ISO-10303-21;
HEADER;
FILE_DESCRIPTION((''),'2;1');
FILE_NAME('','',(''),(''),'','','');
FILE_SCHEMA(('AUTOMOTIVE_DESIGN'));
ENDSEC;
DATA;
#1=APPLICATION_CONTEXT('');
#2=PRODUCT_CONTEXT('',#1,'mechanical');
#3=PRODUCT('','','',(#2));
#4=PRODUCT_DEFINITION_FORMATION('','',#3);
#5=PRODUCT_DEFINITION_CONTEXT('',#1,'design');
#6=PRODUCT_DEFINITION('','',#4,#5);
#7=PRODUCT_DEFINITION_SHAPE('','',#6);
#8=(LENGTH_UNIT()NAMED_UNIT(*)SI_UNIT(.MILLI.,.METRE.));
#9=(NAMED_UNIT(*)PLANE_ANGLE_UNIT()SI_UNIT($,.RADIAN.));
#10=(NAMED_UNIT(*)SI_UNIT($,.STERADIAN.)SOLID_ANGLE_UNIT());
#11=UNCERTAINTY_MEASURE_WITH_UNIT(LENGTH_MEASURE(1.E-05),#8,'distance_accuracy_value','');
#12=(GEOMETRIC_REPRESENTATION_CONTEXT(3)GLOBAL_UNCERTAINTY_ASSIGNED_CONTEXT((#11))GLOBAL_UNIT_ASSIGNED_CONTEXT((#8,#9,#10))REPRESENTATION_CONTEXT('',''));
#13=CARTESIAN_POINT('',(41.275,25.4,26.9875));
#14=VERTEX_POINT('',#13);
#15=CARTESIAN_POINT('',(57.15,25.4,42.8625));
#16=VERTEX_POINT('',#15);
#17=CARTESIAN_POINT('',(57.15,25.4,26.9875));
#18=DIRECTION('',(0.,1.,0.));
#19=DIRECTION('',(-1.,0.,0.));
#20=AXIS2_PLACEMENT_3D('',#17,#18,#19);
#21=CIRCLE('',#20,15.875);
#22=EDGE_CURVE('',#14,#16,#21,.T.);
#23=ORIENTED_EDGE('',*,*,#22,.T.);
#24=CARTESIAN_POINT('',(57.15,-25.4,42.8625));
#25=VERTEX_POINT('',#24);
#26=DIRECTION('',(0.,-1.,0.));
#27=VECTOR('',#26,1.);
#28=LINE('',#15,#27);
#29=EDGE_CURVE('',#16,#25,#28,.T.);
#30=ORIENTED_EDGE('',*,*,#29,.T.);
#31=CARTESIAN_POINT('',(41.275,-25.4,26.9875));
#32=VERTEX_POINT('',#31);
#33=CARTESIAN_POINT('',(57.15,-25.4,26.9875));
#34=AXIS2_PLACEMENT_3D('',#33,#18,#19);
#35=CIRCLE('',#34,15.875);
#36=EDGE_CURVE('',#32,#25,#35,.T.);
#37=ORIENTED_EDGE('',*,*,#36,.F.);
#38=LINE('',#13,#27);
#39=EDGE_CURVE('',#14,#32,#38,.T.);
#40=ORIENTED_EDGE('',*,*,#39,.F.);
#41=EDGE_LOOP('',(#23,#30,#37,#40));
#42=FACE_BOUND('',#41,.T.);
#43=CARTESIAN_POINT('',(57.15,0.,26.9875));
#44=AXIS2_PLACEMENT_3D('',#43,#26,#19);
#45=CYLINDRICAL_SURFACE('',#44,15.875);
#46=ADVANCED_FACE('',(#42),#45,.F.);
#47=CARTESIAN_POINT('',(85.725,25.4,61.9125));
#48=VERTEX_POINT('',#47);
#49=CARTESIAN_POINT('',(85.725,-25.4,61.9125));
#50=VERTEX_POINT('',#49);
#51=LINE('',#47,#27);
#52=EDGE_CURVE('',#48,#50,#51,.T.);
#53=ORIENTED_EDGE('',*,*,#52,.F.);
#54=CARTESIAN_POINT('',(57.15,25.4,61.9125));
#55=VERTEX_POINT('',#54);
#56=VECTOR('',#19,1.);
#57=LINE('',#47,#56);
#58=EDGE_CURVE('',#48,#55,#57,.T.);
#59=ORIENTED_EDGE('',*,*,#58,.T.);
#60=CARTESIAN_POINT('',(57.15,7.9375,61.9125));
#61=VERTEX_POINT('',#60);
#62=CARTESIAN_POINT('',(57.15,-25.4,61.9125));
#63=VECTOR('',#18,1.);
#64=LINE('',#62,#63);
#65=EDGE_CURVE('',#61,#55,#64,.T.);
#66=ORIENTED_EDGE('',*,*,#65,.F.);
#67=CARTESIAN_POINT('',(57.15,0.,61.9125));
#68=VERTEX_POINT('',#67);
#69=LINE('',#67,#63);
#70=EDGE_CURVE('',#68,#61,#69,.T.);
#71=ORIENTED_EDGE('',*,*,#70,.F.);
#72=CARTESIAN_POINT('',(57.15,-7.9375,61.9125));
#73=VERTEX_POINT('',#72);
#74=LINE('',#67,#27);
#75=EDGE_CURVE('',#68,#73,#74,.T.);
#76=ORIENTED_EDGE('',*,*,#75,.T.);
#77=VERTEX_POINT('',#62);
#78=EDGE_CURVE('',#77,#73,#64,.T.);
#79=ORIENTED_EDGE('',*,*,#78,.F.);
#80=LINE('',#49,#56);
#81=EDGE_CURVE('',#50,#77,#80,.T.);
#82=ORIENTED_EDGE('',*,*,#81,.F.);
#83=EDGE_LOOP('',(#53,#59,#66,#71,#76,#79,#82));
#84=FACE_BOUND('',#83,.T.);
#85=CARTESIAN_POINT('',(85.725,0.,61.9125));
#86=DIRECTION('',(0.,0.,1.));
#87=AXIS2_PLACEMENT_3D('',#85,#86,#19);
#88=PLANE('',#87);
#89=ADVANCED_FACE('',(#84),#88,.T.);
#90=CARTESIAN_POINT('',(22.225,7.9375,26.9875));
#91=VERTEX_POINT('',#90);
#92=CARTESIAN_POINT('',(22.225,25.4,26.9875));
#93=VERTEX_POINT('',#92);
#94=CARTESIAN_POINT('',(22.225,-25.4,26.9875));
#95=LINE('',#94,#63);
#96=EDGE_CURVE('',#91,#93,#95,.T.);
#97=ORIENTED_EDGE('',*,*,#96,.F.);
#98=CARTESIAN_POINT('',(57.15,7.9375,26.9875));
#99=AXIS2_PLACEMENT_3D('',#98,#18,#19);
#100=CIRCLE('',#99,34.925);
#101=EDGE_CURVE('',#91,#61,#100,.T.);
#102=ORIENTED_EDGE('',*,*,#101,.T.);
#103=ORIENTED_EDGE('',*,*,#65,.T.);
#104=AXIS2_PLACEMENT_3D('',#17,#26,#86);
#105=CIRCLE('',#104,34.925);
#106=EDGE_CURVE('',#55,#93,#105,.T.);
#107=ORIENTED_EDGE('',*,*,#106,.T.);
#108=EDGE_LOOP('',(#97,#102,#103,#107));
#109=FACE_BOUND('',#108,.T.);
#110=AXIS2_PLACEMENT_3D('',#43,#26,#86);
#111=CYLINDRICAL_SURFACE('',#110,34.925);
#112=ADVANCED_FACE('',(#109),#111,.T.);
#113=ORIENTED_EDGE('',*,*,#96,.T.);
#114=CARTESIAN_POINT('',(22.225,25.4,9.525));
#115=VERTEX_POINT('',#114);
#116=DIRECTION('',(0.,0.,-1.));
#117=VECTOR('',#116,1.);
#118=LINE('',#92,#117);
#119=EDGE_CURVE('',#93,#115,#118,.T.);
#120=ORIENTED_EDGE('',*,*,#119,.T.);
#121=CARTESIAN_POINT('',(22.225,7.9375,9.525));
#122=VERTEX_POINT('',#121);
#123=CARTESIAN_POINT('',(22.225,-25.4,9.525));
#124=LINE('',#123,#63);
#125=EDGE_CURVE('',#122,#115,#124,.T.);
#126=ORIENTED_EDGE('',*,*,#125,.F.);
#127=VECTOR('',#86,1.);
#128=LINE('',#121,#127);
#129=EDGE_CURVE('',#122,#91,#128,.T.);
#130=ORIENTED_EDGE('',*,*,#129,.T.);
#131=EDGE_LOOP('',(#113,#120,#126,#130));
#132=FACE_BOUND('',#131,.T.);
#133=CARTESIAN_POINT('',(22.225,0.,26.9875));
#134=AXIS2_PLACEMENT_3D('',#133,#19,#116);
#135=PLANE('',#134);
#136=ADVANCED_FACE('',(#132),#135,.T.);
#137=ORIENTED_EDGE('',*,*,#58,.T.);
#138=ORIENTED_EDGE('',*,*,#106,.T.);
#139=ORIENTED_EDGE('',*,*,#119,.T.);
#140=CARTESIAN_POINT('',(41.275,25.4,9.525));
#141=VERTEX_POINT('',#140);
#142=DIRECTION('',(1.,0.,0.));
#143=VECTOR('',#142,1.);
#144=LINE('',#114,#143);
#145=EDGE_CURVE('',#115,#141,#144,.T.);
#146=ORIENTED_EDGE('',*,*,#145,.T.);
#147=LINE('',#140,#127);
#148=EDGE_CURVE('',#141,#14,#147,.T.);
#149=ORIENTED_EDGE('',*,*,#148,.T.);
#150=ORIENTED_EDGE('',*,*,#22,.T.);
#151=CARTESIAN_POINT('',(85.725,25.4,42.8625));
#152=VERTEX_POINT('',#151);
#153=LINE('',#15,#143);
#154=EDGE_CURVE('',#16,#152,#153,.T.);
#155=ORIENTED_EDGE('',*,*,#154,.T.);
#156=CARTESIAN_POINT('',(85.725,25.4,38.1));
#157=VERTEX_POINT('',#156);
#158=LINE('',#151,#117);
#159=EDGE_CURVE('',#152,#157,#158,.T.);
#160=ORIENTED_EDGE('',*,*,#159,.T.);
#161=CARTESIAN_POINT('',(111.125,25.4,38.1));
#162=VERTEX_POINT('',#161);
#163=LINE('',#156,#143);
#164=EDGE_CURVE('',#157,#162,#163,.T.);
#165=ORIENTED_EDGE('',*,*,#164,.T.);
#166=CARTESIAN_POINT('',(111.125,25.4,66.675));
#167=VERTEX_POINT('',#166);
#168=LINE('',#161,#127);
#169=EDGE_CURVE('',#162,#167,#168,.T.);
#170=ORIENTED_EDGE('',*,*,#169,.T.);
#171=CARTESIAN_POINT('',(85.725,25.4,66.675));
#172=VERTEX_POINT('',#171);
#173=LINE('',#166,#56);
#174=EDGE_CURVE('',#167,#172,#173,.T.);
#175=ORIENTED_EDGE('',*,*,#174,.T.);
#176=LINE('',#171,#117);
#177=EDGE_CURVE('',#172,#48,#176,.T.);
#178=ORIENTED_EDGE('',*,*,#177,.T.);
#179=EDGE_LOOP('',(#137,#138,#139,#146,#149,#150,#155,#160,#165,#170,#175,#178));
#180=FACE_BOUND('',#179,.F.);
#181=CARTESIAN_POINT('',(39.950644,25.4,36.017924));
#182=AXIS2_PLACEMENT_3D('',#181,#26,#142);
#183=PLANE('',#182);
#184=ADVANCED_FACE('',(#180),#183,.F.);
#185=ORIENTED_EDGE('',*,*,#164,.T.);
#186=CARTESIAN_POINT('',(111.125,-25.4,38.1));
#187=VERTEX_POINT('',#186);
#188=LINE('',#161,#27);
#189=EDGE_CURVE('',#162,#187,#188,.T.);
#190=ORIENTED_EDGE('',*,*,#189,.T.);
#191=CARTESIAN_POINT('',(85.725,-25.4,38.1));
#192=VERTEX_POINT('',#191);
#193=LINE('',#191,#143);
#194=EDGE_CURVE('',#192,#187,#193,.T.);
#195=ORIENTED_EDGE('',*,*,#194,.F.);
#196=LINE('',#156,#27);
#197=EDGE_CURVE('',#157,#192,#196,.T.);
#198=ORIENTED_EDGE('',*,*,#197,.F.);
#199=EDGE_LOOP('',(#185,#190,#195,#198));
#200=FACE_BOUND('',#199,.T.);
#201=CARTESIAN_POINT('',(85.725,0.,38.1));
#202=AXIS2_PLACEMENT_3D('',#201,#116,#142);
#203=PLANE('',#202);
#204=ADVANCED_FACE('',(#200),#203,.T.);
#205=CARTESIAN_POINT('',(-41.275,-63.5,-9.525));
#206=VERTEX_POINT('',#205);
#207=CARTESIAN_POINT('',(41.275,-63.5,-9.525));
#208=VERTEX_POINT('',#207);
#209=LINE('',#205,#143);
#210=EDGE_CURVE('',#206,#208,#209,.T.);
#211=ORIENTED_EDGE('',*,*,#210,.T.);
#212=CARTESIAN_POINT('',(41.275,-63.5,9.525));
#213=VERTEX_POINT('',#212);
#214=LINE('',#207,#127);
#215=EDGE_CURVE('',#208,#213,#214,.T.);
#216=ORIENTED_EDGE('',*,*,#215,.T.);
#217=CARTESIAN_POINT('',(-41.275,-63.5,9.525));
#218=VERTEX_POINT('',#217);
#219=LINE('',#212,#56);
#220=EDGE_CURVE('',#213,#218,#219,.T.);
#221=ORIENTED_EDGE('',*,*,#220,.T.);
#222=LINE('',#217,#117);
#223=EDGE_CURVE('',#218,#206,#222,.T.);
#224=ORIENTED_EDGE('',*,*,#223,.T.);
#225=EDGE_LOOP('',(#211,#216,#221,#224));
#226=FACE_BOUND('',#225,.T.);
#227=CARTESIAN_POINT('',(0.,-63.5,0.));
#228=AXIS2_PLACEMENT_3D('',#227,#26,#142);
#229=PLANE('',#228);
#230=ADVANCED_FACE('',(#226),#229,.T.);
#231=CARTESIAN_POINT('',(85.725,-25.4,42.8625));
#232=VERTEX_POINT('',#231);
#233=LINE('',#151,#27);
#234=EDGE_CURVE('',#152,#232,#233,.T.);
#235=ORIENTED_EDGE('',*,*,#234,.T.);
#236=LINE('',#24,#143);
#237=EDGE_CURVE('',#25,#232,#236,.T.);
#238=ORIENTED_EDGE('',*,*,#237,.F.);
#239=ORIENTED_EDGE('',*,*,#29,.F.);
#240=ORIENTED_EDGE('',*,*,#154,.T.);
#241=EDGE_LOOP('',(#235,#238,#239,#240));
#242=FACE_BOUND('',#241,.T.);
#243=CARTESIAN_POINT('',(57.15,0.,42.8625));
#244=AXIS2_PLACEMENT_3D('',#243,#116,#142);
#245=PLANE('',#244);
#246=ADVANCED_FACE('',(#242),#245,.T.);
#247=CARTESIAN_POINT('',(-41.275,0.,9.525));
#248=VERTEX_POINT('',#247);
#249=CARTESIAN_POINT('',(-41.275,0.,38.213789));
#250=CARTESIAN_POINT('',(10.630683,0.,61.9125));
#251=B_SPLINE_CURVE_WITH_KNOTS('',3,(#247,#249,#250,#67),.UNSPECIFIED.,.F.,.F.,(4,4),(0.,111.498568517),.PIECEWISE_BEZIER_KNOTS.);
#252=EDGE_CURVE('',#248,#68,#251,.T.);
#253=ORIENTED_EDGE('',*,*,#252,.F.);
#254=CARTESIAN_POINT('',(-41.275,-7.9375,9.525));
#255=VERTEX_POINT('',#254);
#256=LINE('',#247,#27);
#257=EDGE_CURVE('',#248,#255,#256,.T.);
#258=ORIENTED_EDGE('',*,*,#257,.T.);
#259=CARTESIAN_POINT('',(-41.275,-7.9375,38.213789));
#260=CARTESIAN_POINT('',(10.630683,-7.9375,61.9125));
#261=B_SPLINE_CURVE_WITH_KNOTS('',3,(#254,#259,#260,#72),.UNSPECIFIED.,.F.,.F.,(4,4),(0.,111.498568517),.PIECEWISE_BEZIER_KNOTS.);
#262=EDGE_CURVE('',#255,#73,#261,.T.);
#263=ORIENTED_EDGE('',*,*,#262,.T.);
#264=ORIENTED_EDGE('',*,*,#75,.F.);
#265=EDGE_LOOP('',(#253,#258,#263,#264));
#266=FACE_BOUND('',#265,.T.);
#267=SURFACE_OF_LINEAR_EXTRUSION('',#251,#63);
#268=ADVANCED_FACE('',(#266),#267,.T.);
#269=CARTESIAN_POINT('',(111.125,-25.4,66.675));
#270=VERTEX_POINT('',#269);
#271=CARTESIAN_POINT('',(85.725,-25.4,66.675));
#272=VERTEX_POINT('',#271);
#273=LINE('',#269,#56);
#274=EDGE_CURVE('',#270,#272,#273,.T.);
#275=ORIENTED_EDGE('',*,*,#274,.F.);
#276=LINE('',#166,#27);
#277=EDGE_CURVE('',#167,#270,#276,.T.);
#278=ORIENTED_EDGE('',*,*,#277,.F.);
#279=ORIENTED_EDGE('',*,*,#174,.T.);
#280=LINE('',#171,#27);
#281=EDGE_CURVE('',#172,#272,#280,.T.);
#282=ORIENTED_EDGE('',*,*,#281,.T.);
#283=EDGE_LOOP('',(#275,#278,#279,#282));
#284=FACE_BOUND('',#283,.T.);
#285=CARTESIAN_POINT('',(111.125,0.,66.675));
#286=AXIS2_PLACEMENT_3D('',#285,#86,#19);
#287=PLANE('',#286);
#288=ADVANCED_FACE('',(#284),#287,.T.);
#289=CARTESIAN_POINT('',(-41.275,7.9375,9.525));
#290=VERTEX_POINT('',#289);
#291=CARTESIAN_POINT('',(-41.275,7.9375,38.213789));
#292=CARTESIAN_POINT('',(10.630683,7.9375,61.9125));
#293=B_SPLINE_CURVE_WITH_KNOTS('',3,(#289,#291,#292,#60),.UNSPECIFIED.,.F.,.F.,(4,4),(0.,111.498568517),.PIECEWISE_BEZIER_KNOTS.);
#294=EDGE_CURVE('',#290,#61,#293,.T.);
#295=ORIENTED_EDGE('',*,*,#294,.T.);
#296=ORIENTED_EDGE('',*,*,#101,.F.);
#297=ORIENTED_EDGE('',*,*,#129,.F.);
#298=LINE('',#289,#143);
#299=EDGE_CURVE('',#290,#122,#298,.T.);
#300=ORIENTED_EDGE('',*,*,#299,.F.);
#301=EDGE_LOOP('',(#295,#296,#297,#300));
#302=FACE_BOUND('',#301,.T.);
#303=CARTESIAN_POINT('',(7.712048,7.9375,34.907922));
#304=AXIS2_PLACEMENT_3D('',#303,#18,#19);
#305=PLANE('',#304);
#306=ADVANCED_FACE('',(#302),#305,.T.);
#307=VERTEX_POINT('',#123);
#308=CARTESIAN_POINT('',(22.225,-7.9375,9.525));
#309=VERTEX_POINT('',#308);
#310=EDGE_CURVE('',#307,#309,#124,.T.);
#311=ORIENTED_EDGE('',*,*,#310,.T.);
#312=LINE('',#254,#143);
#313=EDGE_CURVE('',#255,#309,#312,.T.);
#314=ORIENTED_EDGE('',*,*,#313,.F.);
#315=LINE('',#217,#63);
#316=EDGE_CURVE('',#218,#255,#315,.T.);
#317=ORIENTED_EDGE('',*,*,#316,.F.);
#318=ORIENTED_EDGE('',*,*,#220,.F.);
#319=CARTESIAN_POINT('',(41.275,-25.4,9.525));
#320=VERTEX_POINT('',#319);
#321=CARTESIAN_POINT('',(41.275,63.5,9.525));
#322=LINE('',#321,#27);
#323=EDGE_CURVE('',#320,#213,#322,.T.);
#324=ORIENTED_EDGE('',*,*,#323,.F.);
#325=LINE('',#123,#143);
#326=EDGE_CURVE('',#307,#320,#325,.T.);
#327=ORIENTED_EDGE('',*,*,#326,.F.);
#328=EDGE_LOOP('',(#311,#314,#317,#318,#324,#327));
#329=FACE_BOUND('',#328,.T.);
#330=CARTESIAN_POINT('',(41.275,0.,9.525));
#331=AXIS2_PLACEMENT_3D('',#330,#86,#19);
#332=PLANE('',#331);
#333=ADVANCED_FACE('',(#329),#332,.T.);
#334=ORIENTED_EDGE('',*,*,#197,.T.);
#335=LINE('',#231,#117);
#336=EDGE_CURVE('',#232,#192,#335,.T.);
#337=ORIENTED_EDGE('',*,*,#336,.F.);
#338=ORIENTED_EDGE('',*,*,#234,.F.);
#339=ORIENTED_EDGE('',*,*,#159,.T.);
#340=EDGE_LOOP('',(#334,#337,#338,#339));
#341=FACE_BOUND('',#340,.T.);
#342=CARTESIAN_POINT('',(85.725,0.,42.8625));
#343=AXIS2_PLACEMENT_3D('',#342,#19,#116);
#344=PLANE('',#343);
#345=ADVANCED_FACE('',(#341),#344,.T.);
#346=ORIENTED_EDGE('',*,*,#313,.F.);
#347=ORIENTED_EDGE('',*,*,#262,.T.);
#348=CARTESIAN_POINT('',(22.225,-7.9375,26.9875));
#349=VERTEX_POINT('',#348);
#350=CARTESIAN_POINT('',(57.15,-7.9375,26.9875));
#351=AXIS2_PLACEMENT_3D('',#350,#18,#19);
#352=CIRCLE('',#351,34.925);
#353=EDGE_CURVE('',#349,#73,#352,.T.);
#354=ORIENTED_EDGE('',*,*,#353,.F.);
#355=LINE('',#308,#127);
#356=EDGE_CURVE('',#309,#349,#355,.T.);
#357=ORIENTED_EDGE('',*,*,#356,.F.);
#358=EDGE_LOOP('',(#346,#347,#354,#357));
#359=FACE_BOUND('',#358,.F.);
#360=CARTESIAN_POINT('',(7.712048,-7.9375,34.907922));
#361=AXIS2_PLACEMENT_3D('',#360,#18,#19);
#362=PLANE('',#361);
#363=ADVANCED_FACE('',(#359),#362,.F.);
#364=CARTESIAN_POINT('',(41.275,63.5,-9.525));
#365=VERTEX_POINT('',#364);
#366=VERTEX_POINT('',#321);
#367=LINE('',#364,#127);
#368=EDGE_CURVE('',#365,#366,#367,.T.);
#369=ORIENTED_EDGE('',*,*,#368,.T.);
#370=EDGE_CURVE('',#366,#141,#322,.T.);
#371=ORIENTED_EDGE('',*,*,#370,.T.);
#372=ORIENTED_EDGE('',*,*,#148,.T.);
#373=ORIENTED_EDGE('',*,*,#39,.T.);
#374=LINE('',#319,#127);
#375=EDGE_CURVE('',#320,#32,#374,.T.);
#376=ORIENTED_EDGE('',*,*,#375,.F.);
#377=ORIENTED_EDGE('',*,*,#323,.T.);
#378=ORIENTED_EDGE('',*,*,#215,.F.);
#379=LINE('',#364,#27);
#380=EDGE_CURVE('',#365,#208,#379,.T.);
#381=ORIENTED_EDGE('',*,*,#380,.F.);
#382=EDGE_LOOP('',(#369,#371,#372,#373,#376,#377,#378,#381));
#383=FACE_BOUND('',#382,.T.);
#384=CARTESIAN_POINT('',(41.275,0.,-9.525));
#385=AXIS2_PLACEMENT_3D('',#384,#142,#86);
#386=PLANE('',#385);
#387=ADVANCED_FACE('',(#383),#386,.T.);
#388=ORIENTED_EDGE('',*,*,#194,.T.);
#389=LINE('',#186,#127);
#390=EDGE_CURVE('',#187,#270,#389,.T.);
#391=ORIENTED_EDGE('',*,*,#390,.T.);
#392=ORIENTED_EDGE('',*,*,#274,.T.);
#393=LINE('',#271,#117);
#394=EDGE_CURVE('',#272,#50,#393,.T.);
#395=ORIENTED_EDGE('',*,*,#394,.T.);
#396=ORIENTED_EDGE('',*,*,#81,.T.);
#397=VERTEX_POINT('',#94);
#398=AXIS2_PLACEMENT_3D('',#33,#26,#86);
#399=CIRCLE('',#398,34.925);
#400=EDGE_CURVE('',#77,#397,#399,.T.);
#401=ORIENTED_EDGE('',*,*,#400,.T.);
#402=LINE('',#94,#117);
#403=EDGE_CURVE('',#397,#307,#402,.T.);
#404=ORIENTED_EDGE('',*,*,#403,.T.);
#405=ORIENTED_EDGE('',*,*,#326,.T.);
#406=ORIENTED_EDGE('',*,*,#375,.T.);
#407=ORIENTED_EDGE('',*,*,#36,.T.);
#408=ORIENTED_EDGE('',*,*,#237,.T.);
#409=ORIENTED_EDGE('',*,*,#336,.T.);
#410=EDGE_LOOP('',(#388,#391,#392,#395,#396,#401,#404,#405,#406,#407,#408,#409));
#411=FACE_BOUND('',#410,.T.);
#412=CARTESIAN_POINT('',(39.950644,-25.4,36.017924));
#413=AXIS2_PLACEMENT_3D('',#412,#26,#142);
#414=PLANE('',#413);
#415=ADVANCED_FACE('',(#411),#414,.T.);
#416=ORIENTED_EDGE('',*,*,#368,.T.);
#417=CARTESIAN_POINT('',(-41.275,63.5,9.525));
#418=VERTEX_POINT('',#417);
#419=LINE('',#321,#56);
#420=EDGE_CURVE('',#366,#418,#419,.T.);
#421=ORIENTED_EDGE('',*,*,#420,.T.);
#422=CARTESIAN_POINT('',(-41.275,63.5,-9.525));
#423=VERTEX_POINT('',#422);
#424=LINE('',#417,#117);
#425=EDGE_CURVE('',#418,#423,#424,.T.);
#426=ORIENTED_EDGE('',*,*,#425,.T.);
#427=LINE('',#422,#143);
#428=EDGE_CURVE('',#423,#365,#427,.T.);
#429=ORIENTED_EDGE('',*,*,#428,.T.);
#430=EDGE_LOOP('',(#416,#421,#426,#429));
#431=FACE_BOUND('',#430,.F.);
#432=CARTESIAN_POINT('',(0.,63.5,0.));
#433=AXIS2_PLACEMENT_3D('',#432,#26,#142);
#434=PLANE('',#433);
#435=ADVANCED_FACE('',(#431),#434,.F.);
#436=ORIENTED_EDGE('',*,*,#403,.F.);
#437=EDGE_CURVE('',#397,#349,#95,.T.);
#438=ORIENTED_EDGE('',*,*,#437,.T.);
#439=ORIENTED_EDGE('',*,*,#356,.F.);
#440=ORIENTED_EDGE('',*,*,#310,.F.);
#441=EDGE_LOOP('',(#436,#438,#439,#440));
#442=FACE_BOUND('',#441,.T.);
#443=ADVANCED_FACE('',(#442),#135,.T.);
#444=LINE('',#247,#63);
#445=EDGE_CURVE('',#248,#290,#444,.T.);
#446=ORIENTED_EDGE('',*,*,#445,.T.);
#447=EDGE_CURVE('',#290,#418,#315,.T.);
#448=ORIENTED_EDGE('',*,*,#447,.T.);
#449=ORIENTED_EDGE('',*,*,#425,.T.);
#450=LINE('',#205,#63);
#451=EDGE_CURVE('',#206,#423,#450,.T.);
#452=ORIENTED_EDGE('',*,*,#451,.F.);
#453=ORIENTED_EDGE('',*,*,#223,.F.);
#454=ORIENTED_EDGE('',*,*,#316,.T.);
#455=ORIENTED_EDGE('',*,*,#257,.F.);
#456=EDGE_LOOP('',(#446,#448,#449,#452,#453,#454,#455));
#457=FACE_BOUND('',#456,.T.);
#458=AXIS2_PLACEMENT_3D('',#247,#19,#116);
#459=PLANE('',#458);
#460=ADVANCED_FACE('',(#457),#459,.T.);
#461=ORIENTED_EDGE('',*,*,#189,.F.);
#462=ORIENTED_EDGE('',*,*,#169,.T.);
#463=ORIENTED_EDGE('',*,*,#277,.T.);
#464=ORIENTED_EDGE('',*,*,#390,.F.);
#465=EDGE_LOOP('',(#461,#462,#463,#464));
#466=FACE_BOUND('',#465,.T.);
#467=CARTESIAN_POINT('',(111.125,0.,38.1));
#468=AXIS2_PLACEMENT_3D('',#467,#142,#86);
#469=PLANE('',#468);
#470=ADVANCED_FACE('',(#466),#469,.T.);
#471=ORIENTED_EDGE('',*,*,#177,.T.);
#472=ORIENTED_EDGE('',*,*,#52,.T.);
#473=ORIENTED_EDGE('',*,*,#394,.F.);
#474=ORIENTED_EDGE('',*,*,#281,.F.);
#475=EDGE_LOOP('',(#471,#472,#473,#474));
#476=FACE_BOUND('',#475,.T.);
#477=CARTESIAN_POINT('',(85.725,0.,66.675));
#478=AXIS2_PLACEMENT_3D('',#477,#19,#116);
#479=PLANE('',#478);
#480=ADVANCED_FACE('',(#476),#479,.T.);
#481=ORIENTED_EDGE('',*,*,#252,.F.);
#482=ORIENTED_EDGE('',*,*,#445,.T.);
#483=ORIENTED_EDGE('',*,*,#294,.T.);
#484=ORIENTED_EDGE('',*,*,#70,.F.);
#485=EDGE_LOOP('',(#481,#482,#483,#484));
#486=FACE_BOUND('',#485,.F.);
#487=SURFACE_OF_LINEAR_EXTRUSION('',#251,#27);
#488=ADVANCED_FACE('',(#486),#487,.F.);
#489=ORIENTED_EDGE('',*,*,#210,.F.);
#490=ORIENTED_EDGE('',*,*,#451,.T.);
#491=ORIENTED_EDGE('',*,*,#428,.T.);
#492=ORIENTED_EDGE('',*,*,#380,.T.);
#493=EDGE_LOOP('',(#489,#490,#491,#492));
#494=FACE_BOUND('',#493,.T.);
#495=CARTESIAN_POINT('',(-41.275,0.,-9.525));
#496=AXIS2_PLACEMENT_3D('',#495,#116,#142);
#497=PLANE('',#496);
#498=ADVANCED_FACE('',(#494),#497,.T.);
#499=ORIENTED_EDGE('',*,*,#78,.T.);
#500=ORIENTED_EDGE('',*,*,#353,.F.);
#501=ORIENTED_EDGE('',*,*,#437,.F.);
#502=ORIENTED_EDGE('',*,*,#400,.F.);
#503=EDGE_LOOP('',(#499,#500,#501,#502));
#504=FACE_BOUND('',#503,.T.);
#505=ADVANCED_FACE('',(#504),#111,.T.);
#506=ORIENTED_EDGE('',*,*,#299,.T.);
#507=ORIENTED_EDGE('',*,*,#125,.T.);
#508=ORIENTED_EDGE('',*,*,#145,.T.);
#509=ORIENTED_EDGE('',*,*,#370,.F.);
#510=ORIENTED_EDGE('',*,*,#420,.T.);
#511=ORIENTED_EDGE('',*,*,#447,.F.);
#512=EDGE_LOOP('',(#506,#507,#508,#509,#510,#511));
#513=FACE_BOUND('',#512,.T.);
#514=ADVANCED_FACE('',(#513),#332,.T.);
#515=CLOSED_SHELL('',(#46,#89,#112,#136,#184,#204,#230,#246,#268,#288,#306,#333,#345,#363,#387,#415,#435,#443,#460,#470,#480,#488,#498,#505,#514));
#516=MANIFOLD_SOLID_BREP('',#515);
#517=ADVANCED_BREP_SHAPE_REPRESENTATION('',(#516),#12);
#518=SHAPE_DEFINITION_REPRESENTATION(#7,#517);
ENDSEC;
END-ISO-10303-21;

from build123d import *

# Parameters (mm, degrees)
F1_DEPTH = 63.5
F0_W     = 25.4
F0_H     = 19.05
F2_DEPTH = 25.4
F3_DEPTH = 7.9375


with BuildPart() as f1:
    # F0 (on Front) → F1 (new body, symmetric)
    with BuildSketch(Plane.XZ):
        Polygon((-41.275, -9.525), (41.275, -9.525), (41.275, 9.525), (22.225, 9.525), (-41.275, 9.525), align=None)
    extrude(amount=F1_DEPTH, both=True)

    # F0 (on Front) → F2 (join, symmetric)
    with BuildSketch(Plane.XZ):
        with BuildLine():
            Line((22.225, 9.525), (41.275, 9.525))
            Line((41.275, 9.525), (41.275, 26.9875))
            ThreePointArc((41.275, 26.9875), (45.9246798487, 38.2128201513), (57.15, 42.8625))
            Line((57.15, 42.8625), (60.325, 42.8625))
            Line((60.325, 42.8625), (60.325, 61.9125))
            Line((60.325, 61.9125), (57.15, 61.9125))
            ThreePointArc((57.15, 61.9125), (32.4542956671, 51.6832043329), (22.225, 26.9875))
            Line((22.225, 26.9875), (22.225, 9.525))
        make_face()
        with Locations((73.025, 52.3875)):
            Rectangle(F0_W, F0_H)
        Polygon((85.725, 66.675), (85.725, 61.9125), (85.725, 42.8625), (85.725, 38.1), (111.125, 38.1), (111.125, 66.675), align=None)
    extrude(amount=F2_DEPTH, both=True)

    # F0 (on Front) → F3 (join, symmetric)
    with BuildSketch(Plane.XZ):
        with BuildLine():
            add(Edge.make_bspline(
                [(-41.275, 9.525), (-41.275, 38.2137889473), (10.6306826578, 61.9125), (57.15, 61.9125)],
                knots=[0, 0, 0, 0, 111.4985685166, 111.4985685166, 111.4985685166, 111.4985685166], degree=3))
            Line((-41.275, 9.525), (22.225, 9.525))
            Line((22.225, 9.525), (22.225, 26.9875))
            ThreePointArc((22.225, 26.9875), (32.4542956671, 51.6832043329), (57.15, 61.9125))
        make_face()
    extrude(amount=F3_DEPTH, both=True)


solid = f1.part
